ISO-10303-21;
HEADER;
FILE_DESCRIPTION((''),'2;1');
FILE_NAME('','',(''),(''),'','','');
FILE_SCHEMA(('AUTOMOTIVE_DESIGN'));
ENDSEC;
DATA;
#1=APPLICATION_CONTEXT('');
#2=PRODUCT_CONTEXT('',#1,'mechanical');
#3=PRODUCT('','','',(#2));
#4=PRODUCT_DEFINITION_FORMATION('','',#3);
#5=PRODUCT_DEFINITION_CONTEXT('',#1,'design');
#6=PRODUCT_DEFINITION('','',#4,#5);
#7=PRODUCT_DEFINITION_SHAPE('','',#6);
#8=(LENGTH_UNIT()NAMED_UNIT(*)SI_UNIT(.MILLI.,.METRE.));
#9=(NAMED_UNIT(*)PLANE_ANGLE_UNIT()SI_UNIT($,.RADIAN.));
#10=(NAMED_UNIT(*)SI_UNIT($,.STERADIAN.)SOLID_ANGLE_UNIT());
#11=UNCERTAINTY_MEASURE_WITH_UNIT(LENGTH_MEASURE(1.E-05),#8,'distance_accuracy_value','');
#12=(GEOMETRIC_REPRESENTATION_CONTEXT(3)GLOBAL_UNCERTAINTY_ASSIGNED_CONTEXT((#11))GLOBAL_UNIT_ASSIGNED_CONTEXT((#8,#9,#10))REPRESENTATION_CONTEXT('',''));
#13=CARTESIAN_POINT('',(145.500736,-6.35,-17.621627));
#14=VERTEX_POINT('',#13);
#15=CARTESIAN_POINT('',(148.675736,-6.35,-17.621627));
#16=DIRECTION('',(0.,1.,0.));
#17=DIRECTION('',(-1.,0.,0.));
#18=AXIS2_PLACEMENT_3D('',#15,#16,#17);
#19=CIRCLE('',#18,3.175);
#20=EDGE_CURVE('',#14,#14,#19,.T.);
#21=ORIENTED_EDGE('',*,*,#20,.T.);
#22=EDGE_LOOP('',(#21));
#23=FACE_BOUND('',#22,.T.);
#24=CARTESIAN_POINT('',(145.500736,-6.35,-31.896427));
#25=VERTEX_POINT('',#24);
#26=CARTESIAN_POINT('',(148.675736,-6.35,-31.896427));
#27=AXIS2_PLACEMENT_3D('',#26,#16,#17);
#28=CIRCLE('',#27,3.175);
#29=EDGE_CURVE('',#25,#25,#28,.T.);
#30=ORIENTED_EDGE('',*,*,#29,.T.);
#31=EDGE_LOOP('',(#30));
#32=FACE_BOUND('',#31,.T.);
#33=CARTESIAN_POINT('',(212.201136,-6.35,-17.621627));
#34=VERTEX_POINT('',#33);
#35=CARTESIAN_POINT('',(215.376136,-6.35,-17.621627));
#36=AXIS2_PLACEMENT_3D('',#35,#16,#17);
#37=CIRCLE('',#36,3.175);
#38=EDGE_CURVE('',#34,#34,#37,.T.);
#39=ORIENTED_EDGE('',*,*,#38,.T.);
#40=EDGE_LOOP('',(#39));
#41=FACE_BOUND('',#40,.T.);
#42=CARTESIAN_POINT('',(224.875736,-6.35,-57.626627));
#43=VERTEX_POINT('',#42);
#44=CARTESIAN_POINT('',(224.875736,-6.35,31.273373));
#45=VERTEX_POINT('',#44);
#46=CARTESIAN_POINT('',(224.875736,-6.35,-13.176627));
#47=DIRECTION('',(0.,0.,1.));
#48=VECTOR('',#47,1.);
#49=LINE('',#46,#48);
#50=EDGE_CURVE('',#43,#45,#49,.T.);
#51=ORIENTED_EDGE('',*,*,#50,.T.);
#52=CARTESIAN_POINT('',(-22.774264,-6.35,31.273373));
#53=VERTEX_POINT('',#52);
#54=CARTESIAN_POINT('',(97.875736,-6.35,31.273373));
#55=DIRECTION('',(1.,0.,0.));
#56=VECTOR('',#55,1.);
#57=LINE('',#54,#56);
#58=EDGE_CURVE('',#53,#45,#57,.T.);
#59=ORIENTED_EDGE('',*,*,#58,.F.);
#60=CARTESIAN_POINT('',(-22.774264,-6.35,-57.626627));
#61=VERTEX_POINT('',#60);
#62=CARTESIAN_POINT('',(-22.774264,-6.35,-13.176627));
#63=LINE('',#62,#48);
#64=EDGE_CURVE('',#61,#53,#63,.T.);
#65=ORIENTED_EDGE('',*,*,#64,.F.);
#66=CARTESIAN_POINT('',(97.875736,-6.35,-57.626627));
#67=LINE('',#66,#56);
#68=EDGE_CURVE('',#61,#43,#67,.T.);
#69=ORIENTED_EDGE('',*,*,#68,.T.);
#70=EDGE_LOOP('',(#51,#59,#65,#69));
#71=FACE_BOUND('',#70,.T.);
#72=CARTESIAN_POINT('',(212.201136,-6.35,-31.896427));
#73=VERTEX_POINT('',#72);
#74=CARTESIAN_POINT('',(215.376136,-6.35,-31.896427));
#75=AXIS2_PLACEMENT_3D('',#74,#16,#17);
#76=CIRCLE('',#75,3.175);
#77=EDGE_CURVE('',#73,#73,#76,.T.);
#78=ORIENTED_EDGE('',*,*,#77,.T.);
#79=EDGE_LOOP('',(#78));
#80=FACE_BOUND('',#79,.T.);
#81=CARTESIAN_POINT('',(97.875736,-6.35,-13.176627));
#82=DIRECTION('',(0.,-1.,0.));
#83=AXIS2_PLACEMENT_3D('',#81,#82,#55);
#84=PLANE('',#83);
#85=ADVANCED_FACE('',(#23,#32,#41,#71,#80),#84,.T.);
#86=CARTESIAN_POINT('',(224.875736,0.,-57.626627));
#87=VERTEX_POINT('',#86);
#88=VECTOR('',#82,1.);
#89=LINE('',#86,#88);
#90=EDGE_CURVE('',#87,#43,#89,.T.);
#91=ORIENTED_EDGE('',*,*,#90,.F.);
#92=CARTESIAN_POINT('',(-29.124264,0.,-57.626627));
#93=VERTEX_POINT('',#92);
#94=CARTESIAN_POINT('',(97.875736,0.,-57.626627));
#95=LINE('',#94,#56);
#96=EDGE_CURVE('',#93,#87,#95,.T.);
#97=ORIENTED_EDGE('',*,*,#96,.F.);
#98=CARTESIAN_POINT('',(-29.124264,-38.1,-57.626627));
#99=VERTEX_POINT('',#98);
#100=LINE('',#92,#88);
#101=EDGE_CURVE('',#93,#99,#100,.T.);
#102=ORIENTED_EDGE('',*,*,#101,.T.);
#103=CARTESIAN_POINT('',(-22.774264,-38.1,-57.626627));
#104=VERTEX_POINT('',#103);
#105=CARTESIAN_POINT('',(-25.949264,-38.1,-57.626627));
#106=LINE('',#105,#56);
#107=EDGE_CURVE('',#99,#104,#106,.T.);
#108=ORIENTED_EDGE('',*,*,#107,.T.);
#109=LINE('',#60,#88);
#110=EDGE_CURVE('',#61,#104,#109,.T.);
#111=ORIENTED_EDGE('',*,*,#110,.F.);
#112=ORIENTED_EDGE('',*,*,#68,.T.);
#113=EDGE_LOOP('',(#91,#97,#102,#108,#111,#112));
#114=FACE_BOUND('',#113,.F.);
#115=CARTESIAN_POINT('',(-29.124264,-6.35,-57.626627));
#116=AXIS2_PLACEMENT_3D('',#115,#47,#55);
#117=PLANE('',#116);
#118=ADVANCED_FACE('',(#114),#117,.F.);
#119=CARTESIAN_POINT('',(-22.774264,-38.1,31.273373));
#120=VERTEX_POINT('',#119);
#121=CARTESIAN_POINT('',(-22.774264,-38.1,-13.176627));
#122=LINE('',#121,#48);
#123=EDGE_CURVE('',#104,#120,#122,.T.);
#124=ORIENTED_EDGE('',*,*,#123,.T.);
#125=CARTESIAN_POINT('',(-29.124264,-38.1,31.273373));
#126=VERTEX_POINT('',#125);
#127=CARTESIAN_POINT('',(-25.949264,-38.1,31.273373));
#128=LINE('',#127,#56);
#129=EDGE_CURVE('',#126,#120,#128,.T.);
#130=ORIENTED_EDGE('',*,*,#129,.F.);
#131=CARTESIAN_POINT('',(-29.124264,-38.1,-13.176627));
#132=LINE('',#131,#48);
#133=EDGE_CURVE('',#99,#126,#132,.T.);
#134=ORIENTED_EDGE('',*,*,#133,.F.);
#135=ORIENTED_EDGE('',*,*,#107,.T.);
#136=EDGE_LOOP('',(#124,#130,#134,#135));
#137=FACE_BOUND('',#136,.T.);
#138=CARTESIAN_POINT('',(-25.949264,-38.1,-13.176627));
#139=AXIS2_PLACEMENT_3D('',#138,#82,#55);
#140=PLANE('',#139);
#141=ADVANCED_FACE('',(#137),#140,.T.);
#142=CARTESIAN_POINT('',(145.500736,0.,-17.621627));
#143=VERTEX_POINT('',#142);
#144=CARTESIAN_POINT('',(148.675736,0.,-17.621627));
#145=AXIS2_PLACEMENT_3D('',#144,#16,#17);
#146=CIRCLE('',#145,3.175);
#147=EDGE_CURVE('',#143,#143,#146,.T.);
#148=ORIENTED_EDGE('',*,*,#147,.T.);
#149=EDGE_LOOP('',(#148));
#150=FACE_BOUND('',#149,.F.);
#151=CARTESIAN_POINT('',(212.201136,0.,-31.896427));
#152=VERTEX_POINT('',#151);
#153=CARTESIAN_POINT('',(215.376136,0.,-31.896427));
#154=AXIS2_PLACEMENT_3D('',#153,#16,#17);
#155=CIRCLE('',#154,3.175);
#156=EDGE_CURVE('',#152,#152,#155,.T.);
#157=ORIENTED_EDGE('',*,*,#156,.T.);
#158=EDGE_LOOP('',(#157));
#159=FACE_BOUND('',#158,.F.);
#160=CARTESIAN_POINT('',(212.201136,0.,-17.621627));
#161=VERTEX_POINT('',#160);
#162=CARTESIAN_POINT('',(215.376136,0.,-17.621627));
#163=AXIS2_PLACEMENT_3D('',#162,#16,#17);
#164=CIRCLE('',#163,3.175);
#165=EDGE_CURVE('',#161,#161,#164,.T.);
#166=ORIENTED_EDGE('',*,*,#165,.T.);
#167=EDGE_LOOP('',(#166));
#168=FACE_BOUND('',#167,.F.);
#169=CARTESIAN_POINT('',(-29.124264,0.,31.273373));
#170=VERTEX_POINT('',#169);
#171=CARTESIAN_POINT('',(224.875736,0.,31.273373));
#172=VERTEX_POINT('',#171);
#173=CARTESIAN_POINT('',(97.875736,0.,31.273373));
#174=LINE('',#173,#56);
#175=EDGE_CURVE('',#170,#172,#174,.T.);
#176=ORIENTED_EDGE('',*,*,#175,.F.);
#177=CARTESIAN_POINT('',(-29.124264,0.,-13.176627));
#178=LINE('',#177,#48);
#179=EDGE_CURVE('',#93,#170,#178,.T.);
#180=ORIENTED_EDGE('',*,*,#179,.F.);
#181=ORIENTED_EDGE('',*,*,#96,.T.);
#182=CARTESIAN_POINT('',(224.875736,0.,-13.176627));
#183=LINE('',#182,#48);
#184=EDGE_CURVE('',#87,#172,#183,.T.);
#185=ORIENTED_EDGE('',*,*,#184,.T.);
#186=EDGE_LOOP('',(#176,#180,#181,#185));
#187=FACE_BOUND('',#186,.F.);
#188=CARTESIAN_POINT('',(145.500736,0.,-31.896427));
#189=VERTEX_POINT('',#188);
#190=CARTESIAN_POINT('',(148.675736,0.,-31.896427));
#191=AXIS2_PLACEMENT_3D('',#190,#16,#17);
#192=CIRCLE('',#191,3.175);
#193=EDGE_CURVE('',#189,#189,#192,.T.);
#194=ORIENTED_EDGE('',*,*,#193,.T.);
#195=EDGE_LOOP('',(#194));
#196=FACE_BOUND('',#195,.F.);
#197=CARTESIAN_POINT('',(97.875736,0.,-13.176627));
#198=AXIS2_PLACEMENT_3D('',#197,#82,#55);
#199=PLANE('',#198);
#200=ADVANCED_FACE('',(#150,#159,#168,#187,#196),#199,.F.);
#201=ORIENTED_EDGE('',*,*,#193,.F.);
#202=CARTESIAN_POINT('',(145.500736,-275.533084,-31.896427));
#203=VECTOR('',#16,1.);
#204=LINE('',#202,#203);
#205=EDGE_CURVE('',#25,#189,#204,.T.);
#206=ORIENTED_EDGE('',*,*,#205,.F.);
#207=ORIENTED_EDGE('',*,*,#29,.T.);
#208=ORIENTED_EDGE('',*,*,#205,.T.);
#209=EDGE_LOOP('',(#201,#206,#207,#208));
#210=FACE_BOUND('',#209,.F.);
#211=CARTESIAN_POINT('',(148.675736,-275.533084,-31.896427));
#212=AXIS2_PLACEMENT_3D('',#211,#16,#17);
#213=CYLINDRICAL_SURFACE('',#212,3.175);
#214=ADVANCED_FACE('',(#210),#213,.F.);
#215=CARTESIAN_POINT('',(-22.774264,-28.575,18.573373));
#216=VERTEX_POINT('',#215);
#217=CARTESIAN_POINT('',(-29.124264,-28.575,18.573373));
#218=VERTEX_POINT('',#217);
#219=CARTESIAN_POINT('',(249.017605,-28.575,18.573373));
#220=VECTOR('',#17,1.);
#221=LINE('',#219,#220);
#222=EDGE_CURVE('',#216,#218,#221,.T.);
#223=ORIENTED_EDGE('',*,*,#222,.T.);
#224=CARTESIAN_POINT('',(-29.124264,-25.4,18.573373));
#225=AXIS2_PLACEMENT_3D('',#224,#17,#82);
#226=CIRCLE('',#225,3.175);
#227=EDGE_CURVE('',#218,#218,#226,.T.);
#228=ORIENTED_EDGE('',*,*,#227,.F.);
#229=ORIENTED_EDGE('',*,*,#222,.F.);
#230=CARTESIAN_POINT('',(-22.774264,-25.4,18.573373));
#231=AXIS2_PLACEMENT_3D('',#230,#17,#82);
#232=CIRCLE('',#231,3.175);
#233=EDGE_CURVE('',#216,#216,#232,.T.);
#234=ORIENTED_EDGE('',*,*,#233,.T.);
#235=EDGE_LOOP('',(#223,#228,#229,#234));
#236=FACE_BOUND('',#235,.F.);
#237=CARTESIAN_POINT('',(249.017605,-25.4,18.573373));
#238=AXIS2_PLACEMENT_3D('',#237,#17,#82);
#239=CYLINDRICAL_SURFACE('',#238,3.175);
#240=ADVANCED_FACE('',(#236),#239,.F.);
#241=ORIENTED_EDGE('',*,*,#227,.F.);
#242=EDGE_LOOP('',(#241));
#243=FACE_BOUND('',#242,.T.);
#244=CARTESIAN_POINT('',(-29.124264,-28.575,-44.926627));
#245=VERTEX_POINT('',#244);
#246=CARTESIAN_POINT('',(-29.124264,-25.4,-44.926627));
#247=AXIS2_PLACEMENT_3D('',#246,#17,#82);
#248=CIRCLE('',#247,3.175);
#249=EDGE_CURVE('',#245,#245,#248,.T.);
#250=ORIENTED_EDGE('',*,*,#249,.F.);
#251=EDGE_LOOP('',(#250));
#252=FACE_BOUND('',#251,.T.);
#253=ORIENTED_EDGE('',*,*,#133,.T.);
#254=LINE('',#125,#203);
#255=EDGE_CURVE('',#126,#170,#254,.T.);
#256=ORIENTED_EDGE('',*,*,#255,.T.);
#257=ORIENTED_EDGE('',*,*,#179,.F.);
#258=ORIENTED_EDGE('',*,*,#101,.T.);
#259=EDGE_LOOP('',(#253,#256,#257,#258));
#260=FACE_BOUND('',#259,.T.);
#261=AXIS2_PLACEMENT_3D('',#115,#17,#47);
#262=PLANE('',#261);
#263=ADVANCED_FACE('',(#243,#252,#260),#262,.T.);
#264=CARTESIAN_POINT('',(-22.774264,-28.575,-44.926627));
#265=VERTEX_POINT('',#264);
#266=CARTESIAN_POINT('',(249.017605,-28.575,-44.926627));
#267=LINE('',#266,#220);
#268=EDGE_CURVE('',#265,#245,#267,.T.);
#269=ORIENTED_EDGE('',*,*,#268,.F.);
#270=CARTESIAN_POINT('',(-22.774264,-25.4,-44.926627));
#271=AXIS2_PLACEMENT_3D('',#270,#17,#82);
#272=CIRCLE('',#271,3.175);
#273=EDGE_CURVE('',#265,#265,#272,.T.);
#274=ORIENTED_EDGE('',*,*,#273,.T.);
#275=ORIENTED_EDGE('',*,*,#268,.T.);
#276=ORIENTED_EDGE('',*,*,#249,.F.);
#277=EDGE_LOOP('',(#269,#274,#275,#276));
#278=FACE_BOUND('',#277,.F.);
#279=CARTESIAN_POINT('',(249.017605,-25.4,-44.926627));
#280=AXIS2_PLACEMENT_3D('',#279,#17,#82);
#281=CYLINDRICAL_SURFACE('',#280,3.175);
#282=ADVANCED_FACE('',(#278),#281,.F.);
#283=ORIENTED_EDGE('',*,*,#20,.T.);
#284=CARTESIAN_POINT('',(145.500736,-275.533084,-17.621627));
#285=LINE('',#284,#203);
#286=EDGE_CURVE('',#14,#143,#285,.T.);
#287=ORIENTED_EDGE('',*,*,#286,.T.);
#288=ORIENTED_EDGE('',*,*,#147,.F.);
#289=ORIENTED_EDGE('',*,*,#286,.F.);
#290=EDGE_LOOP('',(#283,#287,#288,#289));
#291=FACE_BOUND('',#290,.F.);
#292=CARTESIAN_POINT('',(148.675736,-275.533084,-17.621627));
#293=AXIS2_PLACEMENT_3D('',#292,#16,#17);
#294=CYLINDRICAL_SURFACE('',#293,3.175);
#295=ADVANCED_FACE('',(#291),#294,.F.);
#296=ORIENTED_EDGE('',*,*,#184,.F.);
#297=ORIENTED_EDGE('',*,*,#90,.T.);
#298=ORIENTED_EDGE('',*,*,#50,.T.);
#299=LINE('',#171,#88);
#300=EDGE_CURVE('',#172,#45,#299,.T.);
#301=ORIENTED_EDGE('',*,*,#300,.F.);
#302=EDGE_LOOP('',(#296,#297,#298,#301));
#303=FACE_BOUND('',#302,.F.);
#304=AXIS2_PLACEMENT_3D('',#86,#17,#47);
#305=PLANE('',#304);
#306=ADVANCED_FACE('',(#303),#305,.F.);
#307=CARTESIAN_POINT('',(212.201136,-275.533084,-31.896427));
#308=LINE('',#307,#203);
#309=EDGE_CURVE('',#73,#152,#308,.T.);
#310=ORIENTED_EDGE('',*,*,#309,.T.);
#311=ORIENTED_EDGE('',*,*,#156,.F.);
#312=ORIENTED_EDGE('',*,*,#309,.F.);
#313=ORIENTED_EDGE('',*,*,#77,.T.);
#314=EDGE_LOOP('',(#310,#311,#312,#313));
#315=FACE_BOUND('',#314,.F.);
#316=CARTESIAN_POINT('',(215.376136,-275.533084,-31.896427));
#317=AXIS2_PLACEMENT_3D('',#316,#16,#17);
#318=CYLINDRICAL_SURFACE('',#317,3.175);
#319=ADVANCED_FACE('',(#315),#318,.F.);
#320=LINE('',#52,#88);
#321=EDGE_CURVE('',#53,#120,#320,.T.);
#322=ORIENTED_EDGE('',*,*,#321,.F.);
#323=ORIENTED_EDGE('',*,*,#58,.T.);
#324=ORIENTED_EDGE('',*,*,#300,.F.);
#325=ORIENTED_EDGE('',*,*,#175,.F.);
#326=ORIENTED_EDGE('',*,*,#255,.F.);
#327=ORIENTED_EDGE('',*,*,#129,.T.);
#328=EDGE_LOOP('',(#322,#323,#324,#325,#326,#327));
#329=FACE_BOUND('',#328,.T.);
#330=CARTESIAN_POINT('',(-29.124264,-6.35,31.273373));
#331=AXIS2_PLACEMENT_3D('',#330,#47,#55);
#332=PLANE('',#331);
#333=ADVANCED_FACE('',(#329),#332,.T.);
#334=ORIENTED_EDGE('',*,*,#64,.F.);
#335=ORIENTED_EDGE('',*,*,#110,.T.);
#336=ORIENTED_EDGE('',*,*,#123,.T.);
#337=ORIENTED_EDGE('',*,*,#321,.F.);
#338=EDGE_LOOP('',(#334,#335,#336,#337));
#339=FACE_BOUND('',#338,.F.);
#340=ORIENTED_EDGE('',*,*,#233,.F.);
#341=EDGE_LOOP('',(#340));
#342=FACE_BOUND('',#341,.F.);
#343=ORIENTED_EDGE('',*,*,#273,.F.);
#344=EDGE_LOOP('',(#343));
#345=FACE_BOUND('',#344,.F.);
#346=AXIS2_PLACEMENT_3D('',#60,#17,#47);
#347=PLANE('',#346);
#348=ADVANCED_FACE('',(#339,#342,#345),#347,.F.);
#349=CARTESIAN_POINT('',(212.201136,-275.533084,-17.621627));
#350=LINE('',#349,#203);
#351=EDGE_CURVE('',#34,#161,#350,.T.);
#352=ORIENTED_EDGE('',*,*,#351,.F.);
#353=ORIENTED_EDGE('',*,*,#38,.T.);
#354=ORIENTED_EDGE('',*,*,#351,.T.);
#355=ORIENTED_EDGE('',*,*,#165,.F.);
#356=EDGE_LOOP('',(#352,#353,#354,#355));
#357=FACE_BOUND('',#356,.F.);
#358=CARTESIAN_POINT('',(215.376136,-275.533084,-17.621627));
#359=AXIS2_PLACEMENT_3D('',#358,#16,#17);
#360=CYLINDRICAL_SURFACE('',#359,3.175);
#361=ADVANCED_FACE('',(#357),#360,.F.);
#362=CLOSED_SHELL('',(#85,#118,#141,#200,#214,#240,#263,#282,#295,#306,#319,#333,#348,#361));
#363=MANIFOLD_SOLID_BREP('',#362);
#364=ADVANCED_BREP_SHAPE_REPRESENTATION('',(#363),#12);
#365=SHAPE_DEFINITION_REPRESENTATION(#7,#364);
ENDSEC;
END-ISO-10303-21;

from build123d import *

# Parameters (mm, degrees)
F0_W     = 254
F0_H     = 88.9
F1_DEPTH = 6.35
F3_D     = 6.35
F4_W     = 6.35
F4_H     = 88.9
F5_DEPTH = 31.75
F7_D     = 6.35


with BuildPart() as f1:
    # F0 (on Front) → F1 (new body)
    with BuildSketch(Plane.XZ):
        with Locations((97.875736, -13.176627)):
            Rectangle(F0_W, F0_H)
    extrude(amount=F1_DEPTH)

    # F3 (through all)
    with Locations(Plane.XZ.offset(6.35)):
        with Locations((148.675736, -17.621627), (215.376136, -17.621627), (215.376136, -31.896427), (148.675736, -31.896427)):
            Hole(F3_D / 2)

    # F4 (on face) → F5 (join)
    with BuildSketch(Plane.XZ.offset(6.35)):
        with Locations((-25.949264, -13.176627)):
            Rectangle(F4_W, F4_H)
    extrude(amount=F5_DEPTH)

    # F7 (through all)
    with Locations(Plane.YZ.offset(-22.774264)):
        with Locations((-25.4, -44.926627), (-25.4, 18.573373)):
            Hole(F7_D / 2)


solid = f1.part
